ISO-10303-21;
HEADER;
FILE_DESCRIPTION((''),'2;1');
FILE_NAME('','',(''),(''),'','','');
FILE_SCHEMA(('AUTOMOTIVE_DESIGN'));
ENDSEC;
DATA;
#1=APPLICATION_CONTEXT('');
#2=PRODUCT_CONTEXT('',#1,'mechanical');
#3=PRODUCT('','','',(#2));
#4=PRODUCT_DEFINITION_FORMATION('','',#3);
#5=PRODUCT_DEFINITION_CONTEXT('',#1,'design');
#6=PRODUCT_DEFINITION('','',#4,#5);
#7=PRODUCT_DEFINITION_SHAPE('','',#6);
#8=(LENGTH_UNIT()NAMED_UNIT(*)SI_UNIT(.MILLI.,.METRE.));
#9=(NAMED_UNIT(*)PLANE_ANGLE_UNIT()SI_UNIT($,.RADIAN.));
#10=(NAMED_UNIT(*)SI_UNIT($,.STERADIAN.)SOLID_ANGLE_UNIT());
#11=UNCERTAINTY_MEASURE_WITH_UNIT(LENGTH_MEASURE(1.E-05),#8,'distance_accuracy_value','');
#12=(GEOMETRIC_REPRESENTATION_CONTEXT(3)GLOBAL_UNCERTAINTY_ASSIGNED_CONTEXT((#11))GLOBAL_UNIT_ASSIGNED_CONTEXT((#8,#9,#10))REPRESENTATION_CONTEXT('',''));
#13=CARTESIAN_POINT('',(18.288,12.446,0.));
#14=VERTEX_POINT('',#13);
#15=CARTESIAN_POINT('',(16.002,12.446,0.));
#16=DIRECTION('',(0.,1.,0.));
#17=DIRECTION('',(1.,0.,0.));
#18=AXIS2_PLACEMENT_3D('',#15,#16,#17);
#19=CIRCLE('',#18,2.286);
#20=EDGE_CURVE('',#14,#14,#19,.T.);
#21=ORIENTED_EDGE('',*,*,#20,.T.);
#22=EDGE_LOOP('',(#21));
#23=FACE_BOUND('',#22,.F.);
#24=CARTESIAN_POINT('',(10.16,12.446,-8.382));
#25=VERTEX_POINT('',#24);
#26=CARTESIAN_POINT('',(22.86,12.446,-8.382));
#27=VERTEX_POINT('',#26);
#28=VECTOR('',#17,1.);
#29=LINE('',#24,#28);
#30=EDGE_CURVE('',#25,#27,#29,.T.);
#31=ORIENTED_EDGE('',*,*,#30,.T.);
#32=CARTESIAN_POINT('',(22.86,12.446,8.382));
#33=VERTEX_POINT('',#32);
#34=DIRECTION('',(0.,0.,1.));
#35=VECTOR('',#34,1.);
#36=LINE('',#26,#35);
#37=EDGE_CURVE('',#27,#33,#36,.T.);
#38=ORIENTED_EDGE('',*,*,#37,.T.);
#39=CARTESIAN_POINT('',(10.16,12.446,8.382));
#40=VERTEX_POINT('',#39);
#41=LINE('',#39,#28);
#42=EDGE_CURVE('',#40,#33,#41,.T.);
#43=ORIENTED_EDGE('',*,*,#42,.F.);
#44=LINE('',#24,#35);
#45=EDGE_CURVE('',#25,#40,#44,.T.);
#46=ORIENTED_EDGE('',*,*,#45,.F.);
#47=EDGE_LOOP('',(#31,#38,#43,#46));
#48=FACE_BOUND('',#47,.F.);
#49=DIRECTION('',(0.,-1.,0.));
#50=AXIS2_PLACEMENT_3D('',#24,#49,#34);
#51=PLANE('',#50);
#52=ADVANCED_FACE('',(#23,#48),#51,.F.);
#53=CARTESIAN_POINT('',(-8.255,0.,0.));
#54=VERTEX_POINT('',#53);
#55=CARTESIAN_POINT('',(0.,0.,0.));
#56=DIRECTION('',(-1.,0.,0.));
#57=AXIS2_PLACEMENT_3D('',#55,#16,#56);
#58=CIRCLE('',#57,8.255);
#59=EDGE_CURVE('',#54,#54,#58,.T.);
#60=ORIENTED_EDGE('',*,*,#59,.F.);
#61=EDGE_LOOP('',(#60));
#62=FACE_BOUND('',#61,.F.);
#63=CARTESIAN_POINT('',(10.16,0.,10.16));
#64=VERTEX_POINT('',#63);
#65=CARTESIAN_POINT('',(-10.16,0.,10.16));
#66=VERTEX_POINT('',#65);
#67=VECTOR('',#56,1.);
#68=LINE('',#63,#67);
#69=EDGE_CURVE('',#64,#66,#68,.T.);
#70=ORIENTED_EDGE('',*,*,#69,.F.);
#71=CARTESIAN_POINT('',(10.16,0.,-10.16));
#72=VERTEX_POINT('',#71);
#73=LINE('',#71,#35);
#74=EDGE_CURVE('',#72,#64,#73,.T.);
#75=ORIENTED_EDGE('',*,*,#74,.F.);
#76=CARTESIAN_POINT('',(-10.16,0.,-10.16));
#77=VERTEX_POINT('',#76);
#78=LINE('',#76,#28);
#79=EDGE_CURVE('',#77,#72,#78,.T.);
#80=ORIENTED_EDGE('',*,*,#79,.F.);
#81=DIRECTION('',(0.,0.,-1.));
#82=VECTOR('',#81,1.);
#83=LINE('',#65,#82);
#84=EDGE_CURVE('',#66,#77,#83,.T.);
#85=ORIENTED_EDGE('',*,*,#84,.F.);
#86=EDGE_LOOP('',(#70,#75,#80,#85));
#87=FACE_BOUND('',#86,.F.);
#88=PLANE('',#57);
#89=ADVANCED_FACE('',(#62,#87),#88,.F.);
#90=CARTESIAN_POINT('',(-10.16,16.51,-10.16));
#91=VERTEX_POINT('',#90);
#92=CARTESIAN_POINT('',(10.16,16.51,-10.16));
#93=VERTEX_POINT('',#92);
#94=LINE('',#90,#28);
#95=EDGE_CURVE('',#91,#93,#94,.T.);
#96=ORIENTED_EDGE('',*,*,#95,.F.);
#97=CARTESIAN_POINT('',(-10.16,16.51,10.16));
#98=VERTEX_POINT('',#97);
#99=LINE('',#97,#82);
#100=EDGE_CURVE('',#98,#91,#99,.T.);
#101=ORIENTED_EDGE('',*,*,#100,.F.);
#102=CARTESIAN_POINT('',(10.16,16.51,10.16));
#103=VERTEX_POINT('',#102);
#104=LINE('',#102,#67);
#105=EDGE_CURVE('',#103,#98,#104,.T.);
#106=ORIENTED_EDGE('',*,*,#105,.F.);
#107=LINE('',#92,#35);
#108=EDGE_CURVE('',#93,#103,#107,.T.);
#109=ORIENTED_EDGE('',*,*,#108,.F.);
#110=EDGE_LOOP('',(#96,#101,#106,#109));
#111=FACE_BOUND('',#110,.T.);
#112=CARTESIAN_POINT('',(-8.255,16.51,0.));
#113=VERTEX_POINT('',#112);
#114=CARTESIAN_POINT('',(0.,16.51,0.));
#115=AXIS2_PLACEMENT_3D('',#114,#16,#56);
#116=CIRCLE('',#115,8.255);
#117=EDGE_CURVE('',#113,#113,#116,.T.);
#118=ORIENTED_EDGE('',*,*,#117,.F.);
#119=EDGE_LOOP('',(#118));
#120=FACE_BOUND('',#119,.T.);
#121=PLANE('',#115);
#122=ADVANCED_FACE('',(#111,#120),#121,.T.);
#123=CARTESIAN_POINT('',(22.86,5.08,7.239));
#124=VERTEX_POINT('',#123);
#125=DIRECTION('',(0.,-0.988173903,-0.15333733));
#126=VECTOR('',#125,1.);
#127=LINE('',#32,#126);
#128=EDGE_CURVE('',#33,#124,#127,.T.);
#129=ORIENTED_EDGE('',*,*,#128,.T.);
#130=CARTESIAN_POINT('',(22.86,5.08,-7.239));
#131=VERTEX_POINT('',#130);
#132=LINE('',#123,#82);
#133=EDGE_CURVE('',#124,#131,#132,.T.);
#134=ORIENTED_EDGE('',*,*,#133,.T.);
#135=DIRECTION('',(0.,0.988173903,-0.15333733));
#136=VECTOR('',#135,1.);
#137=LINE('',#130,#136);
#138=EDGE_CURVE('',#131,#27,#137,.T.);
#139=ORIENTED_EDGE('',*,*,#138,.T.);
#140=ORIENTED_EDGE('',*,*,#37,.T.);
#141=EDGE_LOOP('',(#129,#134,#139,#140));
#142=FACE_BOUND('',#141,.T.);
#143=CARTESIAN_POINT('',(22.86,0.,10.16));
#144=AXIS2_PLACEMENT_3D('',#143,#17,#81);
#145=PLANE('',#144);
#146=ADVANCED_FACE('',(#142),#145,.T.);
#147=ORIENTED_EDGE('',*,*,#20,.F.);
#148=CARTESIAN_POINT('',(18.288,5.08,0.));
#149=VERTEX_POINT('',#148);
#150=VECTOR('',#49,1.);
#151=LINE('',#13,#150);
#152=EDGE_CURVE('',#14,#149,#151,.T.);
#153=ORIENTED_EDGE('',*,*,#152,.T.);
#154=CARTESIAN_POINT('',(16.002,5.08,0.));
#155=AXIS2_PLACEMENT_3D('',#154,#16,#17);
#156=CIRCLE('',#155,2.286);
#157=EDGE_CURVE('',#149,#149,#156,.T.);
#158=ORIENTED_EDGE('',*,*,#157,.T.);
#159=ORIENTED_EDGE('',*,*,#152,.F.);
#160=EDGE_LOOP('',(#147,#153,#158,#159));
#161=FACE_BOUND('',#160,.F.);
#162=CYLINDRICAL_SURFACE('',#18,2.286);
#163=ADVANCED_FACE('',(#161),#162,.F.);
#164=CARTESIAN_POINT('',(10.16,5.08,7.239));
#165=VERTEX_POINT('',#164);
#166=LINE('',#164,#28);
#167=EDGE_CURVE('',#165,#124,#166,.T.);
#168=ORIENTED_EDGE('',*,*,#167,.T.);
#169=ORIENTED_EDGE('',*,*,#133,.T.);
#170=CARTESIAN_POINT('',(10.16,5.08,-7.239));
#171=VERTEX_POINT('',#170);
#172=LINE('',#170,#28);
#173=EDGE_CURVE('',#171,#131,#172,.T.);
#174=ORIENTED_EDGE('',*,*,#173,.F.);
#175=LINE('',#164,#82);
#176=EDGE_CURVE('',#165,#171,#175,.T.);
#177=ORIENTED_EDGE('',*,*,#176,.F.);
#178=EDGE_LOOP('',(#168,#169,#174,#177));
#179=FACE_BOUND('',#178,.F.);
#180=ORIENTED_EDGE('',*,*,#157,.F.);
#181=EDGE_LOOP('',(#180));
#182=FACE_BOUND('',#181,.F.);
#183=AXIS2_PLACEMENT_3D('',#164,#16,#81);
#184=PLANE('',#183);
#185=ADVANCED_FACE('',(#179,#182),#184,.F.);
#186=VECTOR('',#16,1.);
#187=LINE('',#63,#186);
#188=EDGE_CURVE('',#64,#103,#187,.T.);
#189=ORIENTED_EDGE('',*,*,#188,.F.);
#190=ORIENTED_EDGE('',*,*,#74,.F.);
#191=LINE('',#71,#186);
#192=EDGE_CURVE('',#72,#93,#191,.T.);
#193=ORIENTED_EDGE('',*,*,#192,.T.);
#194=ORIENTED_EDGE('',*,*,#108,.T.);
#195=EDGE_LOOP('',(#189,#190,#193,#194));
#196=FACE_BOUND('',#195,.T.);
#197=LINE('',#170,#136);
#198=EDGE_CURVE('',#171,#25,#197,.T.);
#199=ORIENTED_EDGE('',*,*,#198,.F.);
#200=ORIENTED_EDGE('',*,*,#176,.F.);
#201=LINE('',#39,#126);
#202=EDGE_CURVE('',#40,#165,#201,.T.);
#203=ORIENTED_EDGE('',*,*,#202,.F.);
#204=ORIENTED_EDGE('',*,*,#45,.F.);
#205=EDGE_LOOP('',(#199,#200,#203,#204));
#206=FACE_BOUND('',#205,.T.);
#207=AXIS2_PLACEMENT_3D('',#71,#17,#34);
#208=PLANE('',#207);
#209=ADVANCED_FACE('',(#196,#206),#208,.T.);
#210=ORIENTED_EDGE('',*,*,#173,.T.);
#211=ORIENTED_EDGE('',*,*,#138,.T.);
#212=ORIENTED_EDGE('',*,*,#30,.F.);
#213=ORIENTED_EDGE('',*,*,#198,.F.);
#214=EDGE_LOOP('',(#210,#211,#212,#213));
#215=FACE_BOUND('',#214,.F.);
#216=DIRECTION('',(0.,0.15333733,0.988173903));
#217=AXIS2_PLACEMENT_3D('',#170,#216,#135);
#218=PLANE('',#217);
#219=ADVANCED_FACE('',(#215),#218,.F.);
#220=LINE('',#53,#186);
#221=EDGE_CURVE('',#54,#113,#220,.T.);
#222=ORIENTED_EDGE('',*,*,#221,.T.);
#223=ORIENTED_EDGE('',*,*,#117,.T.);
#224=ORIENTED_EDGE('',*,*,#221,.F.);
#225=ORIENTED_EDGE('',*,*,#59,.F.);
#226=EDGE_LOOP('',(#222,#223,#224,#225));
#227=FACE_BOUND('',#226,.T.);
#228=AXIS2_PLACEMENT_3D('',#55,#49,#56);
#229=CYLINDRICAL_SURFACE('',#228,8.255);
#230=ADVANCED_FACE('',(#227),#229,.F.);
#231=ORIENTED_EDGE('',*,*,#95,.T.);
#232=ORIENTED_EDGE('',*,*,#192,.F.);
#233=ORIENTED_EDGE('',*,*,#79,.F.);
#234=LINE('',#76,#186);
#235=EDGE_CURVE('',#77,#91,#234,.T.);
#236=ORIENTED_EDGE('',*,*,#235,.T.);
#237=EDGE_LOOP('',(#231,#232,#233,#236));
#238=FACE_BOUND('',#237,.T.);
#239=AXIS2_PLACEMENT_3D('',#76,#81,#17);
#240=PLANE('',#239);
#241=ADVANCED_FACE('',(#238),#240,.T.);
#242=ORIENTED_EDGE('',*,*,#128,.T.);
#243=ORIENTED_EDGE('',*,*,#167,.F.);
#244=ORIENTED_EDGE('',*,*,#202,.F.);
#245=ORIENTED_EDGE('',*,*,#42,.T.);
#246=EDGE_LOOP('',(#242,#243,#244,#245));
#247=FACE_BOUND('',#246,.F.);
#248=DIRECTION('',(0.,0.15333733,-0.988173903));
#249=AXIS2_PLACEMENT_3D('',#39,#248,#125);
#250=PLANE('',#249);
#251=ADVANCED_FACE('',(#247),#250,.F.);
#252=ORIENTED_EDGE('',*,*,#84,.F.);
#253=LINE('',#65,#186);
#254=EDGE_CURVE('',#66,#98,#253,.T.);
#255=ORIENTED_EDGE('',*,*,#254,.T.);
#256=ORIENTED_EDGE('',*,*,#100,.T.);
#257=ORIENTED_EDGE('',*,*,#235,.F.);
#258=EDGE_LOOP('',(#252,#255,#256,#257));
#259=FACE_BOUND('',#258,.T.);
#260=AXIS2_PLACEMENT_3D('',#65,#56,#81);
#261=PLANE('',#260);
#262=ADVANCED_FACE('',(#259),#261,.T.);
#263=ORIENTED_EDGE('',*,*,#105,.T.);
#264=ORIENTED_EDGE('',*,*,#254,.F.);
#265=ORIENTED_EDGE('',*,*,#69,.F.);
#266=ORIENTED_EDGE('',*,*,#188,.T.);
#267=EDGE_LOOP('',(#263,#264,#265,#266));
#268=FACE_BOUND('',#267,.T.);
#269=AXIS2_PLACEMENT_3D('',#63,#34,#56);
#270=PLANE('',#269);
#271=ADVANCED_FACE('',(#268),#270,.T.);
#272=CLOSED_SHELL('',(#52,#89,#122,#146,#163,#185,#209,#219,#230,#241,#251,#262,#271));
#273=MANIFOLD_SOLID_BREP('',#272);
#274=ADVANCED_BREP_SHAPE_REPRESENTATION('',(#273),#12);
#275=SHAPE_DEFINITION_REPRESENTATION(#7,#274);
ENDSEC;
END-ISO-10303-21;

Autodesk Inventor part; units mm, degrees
ref_plane "YZ Plane" through (0, 0, 0) normal (1, 0, 0) x (0, 1, 0)
ref_plane "XZ Plane" through (0, 0, 0) normal (0, 1, 0) x (-1, 0, 0)
ref_plane "XY Plane" through (0, 0, 0) normal (0, 0, 1) x (1, 0, 0)
sketch "Sketch1" plane through (0, 0, 0) normal (0, 1, 0) x (-1, 0, 0)
  line L0 (-10.16, 10.16) -> (10.16, 10.16)
  line L1 (10.16, 10.16) -> (10.16, -10.16)
  line L2 (10.16, -10.16) -> (-10.16, -10.16)
  line L3 (-10.16, -10.16) -> (-10.16, 10.16)
  circle A0 centre (0, 0) radius 8.255
  dimension "d0" = 20.32
  dimension "d1" = 20.32
  dimension "d2" = 10.16
  dimension "d3" = 10.16
  dimension "d4" = 16.51
extrude "Extrusion1" add sketch "Sketch1" along normal blind 16.51
sketch "Sketch2" plane through (10.16, 0, 10.16) normal (1, 0, 0) x (0, 0, -1)
  line L0 (1.778, 12.446) -> (2.921, 5.08)
  line L1 (2.921, 5.08) -> (17.399, 5.08)
  line L2 (17.399, 5.08) -> (18.542, 12.446)
  line L3 (18.542, 12.446) -> (1.778, 12.446)
  line L4 (20.32, 0) -> (0, 0) projected
  line L5 (20.32, 0) -> (20.32, 16.51) projected
  point P0 (10.16, 0)
  dimension "d7" = 16.764
  dimension "d8" = 14.478
  dimension "d9" = 7.366
  dimension "d10" = 5.08
  dimension "d11" = 2.921
extrude "Extrusion2" add sketch "Sketch2" along normal blind 12.7
sketch "Sketch3" plane through (10.16, 12.446, 8.382) normal (0, 1, 0) x (1, 0, 0)
  circle A0 centre (5.842, 8.382) radius 2.286
  line L0 (12.7, 16.764) -> (12.7, 0) projected
  point P0 (-10.16, 8.382)
  dimension "d14" = 4.572
  dimension "d15" = 6.858
extrude "Extrusion3" cut sketch "Sketch3" against normal blind 17.78
properties part number "HopperFinal1"
